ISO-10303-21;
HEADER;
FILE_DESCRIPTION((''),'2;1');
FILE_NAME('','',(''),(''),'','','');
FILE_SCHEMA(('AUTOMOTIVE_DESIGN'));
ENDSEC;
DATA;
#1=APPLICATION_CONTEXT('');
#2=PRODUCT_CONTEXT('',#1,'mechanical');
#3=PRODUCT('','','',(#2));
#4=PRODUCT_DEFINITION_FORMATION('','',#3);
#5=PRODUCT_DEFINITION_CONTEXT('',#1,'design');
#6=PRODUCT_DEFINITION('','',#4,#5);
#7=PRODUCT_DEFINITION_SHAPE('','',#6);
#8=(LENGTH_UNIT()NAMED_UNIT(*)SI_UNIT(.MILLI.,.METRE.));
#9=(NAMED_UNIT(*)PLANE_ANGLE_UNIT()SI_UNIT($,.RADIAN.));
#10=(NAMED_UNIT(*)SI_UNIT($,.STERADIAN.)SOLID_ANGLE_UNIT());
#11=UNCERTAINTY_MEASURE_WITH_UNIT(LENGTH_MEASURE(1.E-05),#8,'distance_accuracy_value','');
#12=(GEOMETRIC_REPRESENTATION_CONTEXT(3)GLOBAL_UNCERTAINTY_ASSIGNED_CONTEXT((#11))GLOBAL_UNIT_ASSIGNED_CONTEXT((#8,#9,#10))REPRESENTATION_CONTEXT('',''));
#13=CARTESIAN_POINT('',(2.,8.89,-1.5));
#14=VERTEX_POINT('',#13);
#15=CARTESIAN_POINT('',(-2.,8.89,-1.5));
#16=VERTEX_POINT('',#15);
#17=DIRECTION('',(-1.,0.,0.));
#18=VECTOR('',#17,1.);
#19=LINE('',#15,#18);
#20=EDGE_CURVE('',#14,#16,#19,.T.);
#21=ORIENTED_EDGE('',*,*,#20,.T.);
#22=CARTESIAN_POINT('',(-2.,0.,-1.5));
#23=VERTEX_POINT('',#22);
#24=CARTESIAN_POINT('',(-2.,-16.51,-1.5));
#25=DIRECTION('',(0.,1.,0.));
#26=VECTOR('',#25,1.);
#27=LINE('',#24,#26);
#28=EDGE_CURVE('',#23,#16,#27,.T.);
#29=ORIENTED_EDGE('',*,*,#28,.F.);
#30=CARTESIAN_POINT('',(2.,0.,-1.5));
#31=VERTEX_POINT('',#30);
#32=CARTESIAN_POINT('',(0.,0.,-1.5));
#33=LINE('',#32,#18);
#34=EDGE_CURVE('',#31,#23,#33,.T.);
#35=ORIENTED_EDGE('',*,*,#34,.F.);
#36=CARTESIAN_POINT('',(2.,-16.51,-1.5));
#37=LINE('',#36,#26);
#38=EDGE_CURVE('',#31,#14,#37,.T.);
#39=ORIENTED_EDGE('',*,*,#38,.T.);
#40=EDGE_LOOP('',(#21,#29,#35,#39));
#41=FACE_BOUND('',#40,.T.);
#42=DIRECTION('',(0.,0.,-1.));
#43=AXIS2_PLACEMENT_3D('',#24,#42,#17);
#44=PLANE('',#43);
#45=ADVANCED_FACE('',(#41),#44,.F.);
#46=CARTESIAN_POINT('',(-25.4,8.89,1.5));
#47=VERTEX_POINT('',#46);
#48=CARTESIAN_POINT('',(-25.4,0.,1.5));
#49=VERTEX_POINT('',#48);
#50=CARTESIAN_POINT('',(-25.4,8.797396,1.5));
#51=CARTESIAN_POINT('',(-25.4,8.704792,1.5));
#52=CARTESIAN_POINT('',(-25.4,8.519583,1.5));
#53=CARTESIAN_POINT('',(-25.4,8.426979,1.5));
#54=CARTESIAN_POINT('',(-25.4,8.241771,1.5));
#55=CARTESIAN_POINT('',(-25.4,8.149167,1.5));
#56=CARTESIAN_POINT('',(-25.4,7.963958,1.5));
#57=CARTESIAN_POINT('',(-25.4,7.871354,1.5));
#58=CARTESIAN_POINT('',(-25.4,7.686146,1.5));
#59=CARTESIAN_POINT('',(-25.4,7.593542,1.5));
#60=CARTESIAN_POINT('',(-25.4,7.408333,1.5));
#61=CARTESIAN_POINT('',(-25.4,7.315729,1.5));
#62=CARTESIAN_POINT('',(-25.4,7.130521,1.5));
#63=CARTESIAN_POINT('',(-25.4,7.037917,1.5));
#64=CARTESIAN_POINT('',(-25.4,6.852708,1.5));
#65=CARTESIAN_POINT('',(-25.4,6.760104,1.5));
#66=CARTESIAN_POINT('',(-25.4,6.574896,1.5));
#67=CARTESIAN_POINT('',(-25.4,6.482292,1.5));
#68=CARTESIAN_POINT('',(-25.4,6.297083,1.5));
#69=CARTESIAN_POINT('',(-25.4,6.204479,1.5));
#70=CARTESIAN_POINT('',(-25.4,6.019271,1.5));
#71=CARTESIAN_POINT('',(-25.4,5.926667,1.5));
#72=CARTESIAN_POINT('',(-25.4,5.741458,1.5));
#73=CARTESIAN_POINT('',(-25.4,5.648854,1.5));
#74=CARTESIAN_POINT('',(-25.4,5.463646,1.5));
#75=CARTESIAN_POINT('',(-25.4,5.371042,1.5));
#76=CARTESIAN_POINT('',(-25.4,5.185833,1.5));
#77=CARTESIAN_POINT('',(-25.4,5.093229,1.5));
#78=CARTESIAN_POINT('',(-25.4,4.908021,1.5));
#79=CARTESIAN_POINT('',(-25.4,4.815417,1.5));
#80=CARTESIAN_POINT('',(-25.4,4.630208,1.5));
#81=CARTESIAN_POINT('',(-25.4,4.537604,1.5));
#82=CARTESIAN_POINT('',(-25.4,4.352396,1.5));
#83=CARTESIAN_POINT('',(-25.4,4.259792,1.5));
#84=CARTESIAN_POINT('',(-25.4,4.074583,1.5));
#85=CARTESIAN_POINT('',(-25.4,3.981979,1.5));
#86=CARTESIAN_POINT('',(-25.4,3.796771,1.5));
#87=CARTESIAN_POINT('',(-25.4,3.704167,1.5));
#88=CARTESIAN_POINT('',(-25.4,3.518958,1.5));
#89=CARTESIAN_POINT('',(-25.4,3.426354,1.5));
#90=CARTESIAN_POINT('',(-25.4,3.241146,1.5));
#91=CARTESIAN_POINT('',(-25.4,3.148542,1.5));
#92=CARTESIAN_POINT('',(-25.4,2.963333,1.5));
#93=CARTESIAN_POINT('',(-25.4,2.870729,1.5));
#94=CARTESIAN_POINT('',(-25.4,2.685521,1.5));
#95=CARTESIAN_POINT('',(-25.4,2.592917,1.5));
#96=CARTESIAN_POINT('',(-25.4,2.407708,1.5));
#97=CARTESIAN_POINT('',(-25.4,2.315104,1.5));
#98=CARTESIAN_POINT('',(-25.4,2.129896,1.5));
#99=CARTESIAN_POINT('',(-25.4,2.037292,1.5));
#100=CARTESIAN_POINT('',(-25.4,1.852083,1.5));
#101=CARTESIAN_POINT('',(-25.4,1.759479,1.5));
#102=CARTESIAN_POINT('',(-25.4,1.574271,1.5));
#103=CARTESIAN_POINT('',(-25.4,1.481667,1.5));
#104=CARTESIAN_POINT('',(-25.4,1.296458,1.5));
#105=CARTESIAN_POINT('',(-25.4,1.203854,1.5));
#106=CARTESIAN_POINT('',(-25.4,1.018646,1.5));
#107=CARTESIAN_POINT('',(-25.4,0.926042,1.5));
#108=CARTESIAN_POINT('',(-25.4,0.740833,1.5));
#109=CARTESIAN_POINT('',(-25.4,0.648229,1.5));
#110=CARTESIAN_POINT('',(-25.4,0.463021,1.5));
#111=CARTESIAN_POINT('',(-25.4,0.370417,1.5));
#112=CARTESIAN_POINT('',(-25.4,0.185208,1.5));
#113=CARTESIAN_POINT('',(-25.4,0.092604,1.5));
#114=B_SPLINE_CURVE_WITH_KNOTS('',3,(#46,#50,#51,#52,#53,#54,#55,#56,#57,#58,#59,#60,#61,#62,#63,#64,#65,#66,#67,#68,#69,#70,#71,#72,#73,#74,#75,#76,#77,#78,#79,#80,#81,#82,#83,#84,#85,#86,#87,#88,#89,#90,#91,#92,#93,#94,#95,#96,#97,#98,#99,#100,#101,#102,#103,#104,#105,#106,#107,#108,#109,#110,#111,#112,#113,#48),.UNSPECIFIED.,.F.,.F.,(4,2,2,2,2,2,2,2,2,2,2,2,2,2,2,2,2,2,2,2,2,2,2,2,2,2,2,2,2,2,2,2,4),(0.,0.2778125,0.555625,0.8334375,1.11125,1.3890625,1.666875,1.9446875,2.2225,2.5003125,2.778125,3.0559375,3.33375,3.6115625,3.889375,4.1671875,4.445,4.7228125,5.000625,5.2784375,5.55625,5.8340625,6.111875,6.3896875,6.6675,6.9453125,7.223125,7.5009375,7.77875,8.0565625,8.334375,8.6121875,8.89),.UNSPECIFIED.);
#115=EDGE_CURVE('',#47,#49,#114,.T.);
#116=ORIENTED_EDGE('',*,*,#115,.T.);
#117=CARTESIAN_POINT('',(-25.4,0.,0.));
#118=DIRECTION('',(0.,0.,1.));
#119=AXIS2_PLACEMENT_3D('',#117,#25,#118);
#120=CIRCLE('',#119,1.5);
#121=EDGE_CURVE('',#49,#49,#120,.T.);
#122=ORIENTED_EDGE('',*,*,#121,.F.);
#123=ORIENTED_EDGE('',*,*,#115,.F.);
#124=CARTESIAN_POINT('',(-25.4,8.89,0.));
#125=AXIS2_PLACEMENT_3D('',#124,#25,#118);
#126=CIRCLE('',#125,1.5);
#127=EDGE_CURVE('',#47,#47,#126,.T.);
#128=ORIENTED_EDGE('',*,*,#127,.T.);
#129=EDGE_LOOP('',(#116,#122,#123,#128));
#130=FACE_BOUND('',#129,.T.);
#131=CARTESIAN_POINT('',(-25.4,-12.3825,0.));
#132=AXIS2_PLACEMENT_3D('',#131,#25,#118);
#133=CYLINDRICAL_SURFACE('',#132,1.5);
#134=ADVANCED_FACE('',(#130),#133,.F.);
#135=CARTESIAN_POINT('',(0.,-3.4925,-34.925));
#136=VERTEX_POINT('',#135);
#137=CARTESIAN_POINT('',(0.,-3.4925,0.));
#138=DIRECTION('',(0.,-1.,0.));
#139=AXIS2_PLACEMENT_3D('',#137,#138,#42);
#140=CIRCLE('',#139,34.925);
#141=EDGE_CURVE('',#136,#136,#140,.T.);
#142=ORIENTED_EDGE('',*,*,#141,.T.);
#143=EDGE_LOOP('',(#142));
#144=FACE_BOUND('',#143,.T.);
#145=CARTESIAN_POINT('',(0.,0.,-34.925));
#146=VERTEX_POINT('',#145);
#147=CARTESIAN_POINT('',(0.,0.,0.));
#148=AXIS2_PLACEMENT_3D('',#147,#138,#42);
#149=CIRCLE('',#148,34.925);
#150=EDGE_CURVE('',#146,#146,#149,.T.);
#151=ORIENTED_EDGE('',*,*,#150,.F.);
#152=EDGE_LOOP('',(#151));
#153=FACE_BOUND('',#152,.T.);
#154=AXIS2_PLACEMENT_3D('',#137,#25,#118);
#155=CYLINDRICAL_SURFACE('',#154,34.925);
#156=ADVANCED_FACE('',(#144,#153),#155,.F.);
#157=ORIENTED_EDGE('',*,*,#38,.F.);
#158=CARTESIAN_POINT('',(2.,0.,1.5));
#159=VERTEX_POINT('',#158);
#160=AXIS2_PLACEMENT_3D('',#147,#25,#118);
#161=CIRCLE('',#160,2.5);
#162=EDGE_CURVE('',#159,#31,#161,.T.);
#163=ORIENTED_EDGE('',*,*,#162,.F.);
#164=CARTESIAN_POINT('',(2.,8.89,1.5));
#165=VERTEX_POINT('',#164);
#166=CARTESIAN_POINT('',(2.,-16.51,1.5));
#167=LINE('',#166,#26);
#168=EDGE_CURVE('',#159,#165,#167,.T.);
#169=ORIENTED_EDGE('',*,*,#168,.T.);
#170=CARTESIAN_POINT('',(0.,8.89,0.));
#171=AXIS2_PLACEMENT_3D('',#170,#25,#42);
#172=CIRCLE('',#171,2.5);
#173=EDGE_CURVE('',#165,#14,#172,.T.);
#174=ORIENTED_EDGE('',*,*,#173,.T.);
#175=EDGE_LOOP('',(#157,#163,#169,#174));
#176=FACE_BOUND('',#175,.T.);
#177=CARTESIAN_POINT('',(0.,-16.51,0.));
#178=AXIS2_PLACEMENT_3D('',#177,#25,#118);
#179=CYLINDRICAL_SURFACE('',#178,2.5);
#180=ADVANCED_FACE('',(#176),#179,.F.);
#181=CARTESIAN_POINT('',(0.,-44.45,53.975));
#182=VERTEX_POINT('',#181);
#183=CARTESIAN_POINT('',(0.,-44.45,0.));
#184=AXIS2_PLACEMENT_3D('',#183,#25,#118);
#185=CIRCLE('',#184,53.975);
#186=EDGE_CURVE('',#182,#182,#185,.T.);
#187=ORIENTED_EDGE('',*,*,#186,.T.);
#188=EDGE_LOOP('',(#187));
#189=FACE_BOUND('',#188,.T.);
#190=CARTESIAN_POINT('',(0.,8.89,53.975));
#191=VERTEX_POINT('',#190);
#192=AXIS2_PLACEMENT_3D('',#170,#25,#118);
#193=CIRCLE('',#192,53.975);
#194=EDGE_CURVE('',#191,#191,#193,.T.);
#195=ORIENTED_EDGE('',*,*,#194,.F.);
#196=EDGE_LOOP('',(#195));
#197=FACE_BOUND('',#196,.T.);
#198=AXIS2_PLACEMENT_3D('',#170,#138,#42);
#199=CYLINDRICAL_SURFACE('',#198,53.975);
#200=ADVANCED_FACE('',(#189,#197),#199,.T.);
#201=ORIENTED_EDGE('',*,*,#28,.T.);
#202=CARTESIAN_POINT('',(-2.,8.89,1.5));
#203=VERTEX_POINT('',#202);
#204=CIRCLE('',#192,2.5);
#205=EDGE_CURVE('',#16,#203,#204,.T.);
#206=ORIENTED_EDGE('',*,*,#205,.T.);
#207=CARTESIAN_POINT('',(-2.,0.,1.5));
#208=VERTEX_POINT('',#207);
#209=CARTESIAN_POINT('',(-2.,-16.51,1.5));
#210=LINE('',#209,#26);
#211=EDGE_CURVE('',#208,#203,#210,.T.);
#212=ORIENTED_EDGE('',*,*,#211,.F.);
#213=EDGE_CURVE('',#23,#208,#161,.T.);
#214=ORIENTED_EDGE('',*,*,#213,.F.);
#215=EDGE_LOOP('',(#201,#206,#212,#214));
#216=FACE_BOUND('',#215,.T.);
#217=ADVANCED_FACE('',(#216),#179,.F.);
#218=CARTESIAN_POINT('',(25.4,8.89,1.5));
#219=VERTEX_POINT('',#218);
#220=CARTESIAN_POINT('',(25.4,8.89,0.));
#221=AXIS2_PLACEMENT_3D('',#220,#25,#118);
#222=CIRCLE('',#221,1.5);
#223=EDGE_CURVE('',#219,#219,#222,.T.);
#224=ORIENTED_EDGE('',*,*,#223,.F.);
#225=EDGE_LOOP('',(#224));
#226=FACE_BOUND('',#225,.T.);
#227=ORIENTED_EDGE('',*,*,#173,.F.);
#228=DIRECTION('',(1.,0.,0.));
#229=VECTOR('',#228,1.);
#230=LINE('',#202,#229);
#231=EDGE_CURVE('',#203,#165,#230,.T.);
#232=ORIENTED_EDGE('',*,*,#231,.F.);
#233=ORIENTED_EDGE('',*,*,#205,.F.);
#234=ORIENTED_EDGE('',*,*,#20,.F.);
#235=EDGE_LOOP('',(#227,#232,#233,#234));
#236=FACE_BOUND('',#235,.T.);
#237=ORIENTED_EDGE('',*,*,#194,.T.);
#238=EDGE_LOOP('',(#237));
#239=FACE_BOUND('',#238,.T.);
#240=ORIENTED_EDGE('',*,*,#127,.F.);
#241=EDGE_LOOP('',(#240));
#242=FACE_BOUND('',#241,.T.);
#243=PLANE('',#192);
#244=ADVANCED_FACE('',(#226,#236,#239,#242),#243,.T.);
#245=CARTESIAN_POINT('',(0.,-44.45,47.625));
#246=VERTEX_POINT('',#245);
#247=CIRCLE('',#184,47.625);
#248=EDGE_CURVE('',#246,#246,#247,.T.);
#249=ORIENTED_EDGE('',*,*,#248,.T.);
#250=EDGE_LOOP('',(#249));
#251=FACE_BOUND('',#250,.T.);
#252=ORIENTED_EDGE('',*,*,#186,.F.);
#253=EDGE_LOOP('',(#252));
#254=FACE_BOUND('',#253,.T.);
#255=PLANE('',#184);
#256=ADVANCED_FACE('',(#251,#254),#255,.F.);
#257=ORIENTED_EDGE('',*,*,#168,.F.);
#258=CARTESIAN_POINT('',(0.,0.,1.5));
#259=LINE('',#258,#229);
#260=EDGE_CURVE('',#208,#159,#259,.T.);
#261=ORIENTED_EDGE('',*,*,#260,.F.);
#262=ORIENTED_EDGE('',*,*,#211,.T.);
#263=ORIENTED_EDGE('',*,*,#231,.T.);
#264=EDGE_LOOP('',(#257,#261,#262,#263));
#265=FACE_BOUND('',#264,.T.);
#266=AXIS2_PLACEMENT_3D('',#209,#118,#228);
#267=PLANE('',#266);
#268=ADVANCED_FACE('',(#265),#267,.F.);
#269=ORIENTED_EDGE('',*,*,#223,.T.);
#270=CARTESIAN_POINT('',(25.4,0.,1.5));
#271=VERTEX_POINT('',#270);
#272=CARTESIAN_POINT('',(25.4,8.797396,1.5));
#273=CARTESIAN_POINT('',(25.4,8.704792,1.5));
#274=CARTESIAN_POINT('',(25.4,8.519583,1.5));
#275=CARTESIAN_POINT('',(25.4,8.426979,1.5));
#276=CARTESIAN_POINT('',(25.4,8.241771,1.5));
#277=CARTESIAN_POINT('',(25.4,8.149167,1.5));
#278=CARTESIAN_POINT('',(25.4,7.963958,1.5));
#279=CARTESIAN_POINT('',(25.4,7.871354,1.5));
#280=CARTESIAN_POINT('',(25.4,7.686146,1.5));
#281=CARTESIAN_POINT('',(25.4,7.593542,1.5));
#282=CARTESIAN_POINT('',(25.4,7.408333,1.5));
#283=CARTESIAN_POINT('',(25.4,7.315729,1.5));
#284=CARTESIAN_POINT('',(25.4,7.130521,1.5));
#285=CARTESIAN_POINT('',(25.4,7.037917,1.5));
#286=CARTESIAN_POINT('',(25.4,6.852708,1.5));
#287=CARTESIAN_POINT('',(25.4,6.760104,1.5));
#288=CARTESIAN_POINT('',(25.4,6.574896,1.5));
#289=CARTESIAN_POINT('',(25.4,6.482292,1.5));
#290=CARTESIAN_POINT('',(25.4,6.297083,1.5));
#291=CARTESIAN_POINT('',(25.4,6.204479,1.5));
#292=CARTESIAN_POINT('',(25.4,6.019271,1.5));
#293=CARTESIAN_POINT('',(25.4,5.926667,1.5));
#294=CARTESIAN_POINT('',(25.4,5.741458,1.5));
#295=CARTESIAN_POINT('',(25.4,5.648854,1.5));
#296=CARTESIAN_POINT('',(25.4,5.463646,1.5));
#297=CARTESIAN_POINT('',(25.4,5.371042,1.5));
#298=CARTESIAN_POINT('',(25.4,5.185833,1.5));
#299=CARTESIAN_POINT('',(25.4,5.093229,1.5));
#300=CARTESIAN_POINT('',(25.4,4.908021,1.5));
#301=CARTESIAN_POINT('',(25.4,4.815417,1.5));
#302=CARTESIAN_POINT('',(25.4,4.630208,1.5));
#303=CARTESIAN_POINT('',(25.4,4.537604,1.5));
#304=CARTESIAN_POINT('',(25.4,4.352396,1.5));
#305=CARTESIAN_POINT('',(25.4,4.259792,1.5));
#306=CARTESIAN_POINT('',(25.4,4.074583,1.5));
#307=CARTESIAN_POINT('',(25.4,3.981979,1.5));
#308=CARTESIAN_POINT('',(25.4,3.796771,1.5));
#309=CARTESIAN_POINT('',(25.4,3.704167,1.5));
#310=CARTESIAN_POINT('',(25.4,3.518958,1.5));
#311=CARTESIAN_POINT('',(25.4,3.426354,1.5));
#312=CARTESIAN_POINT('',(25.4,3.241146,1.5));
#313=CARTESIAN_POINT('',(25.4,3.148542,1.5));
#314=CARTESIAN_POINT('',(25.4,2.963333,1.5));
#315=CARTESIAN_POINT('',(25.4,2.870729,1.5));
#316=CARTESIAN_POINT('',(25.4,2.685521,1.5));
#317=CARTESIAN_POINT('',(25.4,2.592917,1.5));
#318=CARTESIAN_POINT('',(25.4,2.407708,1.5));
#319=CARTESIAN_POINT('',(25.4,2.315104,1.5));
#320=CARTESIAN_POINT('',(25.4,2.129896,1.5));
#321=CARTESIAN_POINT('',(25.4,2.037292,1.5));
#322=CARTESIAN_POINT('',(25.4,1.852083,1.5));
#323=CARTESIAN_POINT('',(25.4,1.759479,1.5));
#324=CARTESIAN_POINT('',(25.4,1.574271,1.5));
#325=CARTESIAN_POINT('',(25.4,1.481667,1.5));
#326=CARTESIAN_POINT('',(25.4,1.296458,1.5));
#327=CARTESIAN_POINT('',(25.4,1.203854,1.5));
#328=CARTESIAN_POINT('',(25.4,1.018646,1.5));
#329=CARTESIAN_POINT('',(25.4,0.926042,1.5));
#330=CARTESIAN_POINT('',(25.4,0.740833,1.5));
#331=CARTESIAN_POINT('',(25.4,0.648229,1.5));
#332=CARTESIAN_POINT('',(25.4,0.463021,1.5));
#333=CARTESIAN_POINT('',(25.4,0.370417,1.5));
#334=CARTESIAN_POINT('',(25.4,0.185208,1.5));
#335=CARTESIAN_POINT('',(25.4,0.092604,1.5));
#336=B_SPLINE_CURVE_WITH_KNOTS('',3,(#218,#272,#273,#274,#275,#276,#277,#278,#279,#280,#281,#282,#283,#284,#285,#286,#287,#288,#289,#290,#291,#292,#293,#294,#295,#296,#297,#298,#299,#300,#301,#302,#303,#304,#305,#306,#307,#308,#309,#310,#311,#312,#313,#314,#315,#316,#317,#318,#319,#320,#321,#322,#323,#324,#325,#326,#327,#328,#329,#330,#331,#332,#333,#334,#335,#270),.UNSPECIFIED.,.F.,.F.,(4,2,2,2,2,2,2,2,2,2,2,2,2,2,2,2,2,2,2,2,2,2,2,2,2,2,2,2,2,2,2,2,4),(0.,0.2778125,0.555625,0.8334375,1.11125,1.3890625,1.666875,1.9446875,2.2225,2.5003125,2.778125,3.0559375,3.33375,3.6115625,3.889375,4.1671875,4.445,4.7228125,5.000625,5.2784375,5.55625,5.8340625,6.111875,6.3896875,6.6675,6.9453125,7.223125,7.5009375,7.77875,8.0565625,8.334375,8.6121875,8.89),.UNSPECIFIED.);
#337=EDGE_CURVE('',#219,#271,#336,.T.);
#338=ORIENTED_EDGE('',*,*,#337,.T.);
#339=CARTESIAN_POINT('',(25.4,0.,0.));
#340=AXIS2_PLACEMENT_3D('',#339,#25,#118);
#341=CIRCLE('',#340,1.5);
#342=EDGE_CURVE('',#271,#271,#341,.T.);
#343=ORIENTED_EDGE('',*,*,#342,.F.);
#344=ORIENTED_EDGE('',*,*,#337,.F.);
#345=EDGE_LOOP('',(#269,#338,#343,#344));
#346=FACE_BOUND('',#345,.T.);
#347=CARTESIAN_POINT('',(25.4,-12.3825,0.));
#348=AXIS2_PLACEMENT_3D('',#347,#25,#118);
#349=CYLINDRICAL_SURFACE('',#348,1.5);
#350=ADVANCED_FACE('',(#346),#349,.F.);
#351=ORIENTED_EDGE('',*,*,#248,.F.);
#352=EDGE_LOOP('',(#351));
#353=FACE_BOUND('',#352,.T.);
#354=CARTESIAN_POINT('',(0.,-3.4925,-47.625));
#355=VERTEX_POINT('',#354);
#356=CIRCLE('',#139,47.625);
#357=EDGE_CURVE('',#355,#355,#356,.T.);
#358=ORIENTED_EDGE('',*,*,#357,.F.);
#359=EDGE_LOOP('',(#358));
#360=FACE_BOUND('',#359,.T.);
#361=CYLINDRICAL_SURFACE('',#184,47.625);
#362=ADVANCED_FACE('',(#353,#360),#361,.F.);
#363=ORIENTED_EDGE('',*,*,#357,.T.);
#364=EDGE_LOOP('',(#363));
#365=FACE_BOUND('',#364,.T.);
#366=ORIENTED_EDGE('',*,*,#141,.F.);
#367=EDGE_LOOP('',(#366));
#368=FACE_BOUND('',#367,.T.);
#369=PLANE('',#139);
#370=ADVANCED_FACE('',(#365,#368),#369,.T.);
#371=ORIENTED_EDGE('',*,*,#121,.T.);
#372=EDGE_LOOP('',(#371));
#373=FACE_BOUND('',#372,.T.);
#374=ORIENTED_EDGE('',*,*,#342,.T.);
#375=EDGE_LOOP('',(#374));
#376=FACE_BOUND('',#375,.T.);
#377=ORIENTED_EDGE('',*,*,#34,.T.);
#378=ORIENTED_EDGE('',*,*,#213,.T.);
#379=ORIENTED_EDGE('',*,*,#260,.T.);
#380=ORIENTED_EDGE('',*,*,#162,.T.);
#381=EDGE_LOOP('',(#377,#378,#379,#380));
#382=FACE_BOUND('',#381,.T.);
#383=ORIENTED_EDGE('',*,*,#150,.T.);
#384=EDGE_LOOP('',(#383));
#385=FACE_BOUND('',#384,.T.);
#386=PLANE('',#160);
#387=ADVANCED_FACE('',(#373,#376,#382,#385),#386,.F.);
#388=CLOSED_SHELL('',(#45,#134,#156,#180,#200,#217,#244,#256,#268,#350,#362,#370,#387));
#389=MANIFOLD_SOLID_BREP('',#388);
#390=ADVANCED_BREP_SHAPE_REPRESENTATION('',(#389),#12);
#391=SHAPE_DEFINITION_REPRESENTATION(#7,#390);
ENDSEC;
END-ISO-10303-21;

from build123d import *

# Parameters (mm, degrees)
SKETCH1_R           = 53.975
BOSS_EXTRUDE1_DEPTH = 8.89
BOSS_EXTRUDE2_START = -44.45
SKETCH1_4_R         = 53.975
SKETCH1_4_R_2       = 47.625
BOSS_EXTRUDE2_DEPTH = 44.45
CUT_EXTRUDE1_DEPTH  = 25.4
BOSS_EXTRUDE3_START = 3.4925
SKETCH3_R           = 47.625
SKETCH3_R_2         = 34.925
BOSS_EXTRUDE3_DEPTH = 3.4925
SKETCH4_R           = 1.5
CUT_EXTRUDE2_DEPTH  = 21.2725


with BuildPart() as part:
    # Sketch1 → Boss-Extrude1 (new body)
    with BuildSketch(Plane(origin=(0, 0, 0), x_dir=(1, 0, 0), z_dir=(0, 1, 0))):
        Circle(SKETCH1_R)
    extrude(amount=BOSS_EXTRUDE1_DEPTH)

    # Sketch1<4> → Boss-Extrude2 (add)
    with BuildSketch(Plane(origin=(0, 0, 0), x_dir=(1, 0, 0), z_dir=(0, 1, 0)).offset(BOSS_EXTRUDE2_START)):
        Circle(SKETCH1_4_R)
        Circle(SKETCH1_4_R_2, mode=Mode.SUBTRACT)
    extrude(amount=BOSS_EXTRUDE2_DEPTH)

    # Sketch2 → Cut-Extrude1 (cut)
    with BuildSketch(Plane(origin=(0, 8.89, 0), x_dir=(1, 0, 0), z_dir=(0, 1, 0))):
        with BuildLine():
            Line((-2, 1.5), (2, 1.5))
            ThreePointArc((2, 1.5), (2.5, 0), (2, -1.5))
            Line((2, -1.5), (-2, -1.5))
            ThreePointArc((-2, -1.5), (-2.5, 0), (-2, 1.5))
        make_face()
    extrude(amount=-CUT_EXTRUDE1_DEPTH, mode=Mode.SUBTRACT)

    # Sketch3 → Boss-Extrude3 (add)
    with BuildSketch(Plane.XZ.offset(BOSS_EXTRUDE3_START)):
        Circle(SKETCH3_R)
        Circle(SKETCH3_R_2, mode=Mode.SUBTRACT)
    extrude(amount=-BOSS_EXTRUDE3_DEPTH)

    # Sketch4 → Cut-Extrude2 (cut)
    with BuildSketch(Plane(origin=(0, 8.89, 0), x_dir=(1, 0, 0), z_dir=(0, 1, 0))):
        with Locations((25.4, 0)):
            Circle(SKETCH4_R)
        with Locations((-25.4, 0)):
            Circle(SKETCH4_R)
    extrude(amount=-CUT_EXTRUDE2_DEPTH, mode=Mode.SUBTRACT)


solid = part.part
